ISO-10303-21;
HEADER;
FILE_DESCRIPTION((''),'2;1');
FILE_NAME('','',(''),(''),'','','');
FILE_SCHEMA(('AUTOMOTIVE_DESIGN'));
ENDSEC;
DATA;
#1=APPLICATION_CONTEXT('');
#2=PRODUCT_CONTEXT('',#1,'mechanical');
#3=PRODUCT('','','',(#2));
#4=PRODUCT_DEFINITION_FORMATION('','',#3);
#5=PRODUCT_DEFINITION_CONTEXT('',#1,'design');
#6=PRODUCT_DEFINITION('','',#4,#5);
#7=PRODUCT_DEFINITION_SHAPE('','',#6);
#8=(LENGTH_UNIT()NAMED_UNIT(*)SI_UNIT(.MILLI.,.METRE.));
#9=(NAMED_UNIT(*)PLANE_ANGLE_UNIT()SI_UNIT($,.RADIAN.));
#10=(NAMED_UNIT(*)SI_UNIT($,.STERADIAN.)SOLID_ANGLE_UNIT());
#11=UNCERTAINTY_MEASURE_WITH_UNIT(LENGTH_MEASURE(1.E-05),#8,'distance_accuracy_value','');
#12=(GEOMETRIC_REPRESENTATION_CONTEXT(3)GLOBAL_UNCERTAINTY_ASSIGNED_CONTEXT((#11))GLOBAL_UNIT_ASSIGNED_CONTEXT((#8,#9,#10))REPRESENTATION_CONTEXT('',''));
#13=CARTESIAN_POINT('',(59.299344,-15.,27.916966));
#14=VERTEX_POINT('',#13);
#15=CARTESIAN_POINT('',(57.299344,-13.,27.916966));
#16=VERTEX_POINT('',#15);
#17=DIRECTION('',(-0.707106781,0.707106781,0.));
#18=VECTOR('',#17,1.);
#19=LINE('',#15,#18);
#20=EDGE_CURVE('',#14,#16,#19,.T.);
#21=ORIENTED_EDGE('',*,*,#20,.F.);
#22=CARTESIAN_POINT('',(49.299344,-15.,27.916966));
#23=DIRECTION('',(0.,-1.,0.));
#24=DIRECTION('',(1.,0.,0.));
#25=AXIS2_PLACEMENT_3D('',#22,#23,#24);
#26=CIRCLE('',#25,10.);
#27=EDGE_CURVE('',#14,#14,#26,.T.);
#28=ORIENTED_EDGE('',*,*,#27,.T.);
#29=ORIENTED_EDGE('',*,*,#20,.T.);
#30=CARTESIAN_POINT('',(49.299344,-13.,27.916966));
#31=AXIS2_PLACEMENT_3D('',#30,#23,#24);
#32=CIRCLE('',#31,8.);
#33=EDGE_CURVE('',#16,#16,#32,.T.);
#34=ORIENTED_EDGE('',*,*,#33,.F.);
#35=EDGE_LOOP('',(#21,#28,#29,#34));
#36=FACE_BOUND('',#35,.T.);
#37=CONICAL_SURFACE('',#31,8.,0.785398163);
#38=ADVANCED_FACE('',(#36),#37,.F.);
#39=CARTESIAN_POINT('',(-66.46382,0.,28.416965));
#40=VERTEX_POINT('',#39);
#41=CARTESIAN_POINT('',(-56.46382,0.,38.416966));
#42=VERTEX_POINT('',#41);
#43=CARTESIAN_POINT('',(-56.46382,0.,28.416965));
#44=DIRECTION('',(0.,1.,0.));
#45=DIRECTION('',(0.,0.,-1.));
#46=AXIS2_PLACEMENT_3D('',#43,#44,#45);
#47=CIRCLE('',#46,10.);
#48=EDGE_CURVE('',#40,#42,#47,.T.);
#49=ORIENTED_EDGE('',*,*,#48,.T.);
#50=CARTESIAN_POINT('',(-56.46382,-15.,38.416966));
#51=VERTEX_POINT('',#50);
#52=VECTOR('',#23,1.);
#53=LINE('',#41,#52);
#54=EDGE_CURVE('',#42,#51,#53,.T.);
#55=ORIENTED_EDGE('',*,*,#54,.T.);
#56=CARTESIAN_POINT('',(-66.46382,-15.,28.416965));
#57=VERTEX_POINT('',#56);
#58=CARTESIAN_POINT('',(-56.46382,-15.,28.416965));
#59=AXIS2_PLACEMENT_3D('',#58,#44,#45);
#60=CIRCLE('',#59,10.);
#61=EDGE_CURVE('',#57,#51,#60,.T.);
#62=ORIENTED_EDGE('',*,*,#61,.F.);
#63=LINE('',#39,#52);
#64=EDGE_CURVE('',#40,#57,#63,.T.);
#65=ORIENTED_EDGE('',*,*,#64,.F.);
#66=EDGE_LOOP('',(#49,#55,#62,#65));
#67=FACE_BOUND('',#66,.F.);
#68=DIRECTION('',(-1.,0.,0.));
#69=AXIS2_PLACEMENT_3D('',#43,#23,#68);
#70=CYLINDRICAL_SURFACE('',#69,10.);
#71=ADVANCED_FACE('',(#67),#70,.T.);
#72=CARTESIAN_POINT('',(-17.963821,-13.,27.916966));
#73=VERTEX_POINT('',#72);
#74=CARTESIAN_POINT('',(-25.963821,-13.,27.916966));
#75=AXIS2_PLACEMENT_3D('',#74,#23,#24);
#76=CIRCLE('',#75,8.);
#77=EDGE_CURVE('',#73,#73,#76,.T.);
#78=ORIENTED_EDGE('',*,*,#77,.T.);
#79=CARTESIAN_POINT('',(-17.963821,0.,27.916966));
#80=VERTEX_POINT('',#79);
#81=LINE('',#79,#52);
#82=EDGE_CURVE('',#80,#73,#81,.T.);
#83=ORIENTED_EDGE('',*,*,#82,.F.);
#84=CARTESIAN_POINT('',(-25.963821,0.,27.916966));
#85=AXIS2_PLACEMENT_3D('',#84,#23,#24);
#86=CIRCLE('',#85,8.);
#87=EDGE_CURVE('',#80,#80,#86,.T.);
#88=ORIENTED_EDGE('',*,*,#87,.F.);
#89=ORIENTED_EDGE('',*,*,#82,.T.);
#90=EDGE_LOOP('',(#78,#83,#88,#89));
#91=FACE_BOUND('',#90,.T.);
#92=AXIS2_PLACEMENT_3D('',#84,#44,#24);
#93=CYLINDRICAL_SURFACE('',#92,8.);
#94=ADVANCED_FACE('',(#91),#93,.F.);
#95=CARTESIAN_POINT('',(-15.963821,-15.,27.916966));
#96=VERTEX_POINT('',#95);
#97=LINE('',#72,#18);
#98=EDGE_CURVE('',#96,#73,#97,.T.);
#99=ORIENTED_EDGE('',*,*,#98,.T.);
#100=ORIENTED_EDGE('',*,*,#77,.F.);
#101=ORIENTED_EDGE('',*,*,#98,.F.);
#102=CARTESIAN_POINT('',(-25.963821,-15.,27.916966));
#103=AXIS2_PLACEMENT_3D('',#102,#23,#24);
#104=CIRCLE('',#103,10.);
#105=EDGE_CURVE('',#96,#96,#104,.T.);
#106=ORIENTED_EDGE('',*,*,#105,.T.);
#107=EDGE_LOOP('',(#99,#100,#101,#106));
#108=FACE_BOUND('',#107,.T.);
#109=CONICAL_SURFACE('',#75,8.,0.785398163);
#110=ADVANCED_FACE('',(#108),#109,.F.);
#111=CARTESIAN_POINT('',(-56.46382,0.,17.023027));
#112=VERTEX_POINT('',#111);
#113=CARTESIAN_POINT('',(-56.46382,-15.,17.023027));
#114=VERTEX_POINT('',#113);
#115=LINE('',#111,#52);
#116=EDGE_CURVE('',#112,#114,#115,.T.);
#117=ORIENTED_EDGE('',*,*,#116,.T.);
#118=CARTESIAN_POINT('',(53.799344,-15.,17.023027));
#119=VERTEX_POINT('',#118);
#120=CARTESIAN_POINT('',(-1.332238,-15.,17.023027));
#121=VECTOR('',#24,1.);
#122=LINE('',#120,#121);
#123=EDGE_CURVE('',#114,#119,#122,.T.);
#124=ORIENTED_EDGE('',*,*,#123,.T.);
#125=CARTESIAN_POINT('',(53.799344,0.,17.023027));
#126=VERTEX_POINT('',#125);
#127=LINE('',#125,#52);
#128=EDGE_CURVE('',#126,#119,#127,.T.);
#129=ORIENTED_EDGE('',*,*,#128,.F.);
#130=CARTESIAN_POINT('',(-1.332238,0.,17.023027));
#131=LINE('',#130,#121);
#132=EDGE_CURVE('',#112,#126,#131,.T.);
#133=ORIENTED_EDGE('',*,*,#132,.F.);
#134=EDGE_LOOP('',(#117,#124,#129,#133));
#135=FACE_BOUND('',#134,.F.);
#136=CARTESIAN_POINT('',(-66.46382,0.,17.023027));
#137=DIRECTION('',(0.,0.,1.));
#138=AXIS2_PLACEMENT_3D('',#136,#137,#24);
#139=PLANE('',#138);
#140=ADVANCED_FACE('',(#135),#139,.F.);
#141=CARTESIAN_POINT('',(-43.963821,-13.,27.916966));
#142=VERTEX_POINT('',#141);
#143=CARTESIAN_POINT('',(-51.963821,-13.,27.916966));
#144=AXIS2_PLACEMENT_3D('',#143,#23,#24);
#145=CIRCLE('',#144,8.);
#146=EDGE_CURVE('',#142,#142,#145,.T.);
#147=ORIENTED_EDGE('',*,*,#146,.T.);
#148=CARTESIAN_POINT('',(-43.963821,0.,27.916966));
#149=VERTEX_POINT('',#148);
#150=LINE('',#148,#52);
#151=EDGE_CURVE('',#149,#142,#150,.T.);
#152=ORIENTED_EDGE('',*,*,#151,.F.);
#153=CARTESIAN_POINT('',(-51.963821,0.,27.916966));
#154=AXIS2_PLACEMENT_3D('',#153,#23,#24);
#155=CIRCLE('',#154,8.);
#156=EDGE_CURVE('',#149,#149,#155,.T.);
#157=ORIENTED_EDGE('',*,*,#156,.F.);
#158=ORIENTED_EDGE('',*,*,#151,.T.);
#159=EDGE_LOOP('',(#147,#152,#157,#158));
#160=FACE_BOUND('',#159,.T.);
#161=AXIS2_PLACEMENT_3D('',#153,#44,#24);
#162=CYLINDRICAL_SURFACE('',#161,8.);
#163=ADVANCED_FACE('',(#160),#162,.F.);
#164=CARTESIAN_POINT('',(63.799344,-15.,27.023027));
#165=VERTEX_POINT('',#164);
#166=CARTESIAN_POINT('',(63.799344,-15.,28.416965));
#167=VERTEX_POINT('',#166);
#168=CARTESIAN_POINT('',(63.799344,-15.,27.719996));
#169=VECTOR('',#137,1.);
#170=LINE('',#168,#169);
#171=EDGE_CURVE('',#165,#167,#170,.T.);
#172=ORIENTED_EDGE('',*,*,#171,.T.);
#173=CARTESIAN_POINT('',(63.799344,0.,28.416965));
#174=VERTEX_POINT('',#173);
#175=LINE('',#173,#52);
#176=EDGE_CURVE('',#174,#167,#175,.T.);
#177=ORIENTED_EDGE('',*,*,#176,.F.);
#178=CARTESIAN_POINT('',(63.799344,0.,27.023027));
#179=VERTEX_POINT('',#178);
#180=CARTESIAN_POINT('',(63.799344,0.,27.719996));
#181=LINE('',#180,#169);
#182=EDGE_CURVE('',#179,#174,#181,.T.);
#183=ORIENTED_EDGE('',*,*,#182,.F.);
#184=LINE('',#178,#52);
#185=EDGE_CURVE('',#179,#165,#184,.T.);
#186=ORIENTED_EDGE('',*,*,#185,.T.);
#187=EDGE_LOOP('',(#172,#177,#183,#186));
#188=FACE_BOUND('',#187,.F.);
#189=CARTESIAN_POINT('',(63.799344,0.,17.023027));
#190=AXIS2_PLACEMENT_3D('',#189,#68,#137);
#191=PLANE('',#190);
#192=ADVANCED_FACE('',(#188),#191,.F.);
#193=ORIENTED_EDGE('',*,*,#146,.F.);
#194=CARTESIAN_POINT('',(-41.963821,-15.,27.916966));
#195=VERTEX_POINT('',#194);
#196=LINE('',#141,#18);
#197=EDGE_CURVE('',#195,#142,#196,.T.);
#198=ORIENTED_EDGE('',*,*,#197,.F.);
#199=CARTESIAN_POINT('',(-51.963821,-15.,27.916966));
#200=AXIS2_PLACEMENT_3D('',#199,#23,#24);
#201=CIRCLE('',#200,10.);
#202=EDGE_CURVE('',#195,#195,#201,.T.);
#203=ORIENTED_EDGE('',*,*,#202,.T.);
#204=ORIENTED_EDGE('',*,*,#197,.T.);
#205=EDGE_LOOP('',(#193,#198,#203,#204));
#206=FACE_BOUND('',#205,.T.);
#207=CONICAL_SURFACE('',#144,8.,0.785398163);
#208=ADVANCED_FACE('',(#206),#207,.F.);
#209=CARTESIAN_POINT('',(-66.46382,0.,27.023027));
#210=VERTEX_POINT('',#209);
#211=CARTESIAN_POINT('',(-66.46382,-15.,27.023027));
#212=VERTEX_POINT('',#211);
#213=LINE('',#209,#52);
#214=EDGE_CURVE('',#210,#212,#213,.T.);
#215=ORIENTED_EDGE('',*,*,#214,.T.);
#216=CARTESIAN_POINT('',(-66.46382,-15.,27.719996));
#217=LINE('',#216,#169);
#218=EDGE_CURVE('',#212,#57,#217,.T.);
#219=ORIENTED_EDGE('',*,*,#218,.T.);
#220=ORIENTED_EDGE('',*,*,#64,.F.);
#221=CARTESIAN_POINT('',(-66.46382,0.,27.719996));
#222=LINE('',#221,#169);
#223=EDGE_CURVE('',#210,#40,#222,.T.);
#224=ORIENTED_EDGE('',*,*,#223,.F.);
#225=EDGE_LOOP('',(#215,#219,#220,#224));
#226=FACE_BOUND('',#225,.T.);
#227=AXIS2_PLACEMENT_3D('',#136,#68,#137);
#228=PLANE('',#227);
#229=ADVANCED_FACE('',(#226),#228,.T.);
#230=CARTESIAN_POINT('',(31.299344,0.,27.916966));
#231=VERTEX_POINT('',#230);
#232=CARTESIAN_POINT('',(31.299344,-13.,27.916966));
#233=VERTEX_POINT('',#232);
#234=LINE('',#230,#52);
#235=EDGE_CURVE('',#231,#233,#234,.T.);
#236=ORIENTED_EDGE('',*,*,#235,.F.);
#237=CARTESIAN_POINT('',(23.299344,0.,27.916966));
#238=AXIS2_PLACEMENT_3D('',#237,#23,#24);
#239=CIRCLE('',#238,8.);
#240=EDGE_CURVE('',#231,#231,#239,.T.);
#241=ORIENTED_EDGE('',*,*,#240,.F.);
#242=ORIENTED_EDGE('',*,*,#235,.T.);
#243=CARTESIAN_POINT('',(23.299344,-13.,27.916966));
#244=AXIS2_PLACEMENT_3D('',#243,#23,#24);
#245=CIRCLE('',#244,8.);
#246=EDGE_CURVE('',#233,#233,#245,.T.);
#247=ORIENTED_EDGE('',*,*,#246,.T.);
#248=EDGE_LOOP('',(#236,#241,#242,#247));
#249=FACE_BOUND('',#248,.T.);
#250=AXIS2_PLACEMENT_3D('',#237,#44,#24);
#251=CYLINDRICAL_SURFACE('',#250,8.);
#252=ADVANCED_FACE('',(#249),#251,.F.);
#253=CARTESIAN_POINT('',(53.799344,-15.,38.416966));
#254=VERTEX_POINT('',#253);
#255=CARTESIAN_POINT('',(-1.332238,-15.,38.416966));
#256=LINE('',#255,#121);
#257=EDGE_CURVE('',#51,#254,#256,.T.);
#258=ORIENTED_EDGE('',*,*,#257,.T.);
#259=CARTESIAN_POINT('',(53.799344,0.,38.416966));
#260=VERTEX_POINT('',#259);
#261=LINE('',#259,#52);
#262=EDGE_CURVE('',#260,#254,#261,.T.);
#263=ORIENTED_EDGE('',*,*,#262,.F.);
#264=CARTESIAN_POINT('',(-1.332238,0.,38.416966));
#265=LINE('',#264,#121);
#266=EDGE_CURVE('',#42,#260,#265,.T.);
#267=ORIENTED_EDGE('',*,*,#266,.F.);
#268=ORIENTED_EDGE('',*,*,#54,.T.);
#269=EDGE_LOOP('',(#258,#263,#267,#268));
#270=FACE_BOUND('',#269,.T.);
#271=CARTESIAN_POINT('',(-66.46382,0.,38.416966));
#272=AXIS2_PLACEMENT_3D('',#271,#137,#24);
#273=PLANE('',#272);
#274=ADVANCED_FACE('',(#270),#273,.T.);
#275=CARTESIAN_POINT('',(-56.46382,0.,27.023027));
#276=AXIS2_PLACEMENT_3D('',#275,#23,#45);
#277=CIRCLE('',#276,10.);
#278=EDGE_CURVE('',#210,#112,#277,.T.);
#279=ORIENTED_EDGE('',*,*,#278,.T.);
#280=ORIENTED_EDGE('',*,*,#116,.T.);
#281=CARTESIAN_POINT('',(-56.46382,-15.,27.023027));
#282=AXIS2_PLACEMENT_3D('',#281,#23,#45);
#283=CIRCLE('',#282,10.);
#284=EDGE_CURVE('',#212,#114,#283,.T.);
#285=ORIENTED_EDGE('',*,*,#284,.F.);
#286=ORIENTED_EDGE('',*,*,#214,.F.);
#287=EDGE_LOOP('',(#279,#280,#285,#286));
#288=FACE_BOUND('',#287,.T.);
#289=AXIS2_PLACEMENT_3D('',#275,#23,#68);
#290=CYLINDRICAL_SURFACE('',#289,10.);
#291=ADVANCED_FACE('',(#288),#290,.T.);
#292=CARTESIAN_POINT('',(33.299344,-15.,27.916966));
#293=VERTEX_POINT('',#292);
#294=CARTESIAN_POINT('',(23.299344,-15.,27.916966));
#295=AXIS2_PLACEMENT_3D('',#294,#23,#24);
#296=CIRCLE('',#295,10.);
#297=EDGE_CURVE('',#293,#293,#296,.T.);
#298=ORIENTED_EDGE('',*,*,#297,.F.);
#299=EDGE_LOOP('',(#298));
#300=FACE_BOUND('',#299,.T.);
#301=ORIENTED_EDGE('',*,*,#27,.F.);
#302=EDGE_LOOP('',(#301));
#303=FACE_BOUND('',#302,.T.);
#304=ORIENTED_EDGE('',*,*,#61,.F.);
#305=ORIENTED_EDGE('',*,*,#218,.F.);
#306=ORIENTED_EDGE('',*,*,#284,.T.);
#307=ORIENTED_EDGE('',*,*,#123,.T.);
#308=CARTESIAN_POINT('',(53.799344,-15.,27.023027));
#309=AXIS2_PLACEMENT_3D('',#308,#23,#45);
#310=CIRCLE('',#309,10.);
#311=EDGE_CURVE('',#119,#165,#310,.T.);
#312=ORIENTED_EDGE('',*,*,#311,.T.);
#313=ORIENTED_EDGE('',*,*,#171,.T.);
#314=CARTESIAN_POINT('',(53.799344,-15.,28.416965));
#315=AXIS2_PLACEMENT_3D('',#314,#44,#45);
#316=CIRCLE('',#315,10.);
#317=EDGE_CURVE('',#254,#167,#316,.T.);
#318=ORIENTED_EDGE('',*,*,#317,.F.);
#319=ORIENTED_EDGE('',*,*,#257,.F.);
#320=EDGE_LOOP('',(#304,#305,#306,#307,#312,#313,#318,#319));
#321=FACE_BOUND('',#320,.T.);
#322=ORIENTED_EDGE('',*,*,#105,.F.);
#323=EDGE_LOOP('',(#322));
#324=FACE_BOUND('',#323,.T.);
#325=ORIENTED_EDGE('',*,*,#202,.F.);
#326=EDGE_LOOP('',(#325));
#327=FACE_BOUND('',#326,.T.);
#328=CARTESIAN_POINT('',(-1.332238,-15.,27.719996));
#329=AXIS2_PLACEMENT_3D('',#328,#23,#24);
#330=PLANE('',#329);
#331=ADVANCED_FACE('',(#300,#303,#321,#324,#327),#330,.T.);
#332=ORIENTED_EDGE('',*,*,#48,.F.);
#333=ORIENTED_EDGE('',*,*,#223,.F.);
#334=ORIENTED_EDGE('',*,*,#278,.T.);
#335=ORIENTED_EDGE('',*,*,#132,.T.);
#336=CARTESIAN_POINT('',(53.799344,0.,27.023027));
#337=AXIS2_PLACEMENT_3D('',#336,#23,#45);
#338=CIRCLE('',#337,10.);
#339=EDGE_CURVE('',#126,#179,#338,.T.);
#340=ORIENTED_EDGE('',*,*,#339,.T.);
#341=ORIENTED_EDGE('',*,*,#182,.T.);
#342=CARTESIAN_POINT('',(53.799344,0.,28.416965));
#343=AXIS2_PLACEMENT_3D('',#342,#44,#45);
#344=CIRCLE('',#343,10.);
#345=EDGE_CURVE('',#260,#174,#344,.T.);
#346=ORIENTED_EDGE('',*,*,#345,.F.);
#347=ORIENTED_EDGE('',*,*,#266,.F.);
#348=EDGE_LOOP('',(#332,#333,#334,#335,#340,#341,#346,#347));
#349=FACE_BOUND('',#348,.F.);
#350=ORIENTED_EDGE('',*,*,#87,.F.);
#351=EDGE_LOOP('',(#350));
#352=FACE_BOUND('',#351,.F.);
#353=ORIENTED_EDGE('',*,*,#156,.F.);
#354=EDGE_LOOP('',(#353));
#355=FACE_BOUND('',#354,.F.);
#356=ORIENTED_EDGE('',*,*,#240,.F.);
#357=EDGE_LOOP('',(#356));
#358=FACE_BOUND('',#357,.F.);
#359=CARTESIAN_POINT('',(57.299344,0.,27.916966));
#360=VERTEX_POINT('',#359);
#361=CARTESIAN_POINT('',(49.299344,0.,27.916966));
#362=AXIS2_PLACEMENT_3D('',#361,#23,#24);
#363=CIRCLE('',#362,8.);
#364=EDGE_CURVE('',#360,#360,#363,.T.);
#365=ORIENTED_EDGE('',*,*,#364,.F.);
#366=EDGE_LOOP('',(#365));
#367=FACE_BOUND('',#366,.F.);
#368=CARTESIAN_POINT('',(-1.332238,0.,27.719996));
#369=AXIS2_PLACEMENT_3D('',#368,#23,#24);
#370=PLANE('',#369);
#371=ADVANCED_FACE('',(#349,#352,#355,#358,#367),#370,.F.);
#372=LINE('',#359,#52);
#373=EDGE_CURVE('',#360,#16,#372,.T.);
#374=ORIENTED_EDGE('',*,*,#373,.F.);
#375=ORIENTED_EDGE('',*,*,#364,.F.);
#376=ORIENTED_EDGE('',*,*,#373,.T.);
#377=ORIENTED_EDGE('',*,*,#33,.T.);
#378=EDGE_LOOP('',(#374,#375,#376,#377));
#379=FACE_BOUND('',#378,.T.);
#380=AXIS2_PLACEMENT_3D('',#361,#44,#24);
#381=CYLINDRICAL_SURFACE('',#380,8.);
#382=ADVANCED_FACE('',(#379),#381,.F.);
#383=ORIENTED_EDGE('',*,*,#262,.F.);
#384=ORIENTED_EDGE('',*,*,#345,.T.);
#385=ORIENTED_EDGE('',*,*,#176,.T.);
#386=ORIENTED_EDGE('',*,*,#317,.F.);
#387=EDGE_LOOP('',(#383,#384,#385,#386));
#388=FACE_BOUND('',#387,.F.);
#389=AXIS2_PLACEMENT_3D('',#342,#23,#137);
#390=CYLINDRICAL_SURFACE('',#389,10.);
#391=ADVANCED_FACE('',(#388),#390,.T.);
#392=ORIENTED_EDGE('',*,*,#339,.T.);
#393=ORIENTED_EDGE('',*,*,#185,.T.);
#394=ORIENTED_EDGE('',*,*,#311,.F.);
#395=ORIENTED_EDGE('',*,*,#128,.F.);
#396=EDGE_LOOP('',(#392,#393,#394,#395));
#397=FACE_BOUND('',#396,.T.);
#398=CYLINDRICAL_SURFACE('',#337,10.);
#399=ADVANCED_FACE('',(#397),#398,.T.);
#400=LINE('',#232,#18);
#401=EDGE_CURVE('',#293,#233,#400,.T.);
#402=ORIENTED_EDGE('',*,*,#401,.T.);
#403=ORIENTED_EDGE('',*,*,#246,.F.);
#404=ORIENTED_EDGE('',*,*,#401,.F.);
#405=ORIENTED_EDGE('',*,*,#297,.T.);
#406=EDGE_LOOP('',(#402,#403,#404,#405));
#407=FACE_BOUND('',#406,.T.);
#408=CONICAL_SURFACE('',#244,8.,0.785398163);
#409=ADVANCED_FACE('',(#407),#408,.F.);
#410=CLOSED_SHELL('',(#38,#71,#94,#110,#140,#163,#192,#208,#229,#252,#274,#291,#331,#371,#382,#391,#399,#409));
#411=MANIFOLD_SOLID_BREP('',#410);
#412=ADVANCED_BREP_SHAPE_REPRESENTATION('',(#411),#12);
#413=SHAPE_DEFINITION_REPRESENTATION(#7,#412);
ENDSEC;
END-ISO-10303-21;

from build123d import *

# Parameters (mm, degrees)
F0_W     = 130.263165
F0_H     = 21.393939
F0_R     = 8
F1_DEPTH = 15
F2_R     = 10
F3_SIZE  = 2


with BuildPart() as f1:
    # F0 (on Front) → F1 (new body)
    with BuildSketch(Plane.XZ):
        with Locations((-1.332238, 27.719996)):
            Rectangle(F0_W, F0_H)
        with Locations((-51.963821, 27.916966)):
            Circle(F0_R, mode=Mode.SUBTRACT)
        with Locations((-25.963821, 27.916966)):
            Circle(F0_R, mode=Mode.SUBTRACT)
        with Locations((23.299344, 27.916966)):
            Circle(F0_R, mode=Mode.SUBTRACT)
        with Locations((49.299344, 27.916966)):
            Circle(F0_R, mode=Mode.SUBTRACT)
    extrude(amount=F1_DEPTH)

    # F2
    f2_edges = [f1.edges().sort_by_distance(p)[0] for p in [
        (63.799344, -7.5, 38.416966),
        (63.799344, -7.5, 17.023027),
        (-66.463821, -7.5, 38.416966),
        (-66.463821, -7.5, 17.023027),
    ]]
    fillet(f2_edges, radius=F2_R)

    # F3
    f3_edges = [f1.edges().sort_by_distance(p)[0] for p in [
        (-33.963821, -15, 27.916966),
        (15.299344, -15, 27.916966),
        (41.299344, -15, 27.916966),
        (-59.963821, -15, 27.916966),
    ]]
    chamfer(f3_edges, length=F3_SIZE)


solid = f1.part
